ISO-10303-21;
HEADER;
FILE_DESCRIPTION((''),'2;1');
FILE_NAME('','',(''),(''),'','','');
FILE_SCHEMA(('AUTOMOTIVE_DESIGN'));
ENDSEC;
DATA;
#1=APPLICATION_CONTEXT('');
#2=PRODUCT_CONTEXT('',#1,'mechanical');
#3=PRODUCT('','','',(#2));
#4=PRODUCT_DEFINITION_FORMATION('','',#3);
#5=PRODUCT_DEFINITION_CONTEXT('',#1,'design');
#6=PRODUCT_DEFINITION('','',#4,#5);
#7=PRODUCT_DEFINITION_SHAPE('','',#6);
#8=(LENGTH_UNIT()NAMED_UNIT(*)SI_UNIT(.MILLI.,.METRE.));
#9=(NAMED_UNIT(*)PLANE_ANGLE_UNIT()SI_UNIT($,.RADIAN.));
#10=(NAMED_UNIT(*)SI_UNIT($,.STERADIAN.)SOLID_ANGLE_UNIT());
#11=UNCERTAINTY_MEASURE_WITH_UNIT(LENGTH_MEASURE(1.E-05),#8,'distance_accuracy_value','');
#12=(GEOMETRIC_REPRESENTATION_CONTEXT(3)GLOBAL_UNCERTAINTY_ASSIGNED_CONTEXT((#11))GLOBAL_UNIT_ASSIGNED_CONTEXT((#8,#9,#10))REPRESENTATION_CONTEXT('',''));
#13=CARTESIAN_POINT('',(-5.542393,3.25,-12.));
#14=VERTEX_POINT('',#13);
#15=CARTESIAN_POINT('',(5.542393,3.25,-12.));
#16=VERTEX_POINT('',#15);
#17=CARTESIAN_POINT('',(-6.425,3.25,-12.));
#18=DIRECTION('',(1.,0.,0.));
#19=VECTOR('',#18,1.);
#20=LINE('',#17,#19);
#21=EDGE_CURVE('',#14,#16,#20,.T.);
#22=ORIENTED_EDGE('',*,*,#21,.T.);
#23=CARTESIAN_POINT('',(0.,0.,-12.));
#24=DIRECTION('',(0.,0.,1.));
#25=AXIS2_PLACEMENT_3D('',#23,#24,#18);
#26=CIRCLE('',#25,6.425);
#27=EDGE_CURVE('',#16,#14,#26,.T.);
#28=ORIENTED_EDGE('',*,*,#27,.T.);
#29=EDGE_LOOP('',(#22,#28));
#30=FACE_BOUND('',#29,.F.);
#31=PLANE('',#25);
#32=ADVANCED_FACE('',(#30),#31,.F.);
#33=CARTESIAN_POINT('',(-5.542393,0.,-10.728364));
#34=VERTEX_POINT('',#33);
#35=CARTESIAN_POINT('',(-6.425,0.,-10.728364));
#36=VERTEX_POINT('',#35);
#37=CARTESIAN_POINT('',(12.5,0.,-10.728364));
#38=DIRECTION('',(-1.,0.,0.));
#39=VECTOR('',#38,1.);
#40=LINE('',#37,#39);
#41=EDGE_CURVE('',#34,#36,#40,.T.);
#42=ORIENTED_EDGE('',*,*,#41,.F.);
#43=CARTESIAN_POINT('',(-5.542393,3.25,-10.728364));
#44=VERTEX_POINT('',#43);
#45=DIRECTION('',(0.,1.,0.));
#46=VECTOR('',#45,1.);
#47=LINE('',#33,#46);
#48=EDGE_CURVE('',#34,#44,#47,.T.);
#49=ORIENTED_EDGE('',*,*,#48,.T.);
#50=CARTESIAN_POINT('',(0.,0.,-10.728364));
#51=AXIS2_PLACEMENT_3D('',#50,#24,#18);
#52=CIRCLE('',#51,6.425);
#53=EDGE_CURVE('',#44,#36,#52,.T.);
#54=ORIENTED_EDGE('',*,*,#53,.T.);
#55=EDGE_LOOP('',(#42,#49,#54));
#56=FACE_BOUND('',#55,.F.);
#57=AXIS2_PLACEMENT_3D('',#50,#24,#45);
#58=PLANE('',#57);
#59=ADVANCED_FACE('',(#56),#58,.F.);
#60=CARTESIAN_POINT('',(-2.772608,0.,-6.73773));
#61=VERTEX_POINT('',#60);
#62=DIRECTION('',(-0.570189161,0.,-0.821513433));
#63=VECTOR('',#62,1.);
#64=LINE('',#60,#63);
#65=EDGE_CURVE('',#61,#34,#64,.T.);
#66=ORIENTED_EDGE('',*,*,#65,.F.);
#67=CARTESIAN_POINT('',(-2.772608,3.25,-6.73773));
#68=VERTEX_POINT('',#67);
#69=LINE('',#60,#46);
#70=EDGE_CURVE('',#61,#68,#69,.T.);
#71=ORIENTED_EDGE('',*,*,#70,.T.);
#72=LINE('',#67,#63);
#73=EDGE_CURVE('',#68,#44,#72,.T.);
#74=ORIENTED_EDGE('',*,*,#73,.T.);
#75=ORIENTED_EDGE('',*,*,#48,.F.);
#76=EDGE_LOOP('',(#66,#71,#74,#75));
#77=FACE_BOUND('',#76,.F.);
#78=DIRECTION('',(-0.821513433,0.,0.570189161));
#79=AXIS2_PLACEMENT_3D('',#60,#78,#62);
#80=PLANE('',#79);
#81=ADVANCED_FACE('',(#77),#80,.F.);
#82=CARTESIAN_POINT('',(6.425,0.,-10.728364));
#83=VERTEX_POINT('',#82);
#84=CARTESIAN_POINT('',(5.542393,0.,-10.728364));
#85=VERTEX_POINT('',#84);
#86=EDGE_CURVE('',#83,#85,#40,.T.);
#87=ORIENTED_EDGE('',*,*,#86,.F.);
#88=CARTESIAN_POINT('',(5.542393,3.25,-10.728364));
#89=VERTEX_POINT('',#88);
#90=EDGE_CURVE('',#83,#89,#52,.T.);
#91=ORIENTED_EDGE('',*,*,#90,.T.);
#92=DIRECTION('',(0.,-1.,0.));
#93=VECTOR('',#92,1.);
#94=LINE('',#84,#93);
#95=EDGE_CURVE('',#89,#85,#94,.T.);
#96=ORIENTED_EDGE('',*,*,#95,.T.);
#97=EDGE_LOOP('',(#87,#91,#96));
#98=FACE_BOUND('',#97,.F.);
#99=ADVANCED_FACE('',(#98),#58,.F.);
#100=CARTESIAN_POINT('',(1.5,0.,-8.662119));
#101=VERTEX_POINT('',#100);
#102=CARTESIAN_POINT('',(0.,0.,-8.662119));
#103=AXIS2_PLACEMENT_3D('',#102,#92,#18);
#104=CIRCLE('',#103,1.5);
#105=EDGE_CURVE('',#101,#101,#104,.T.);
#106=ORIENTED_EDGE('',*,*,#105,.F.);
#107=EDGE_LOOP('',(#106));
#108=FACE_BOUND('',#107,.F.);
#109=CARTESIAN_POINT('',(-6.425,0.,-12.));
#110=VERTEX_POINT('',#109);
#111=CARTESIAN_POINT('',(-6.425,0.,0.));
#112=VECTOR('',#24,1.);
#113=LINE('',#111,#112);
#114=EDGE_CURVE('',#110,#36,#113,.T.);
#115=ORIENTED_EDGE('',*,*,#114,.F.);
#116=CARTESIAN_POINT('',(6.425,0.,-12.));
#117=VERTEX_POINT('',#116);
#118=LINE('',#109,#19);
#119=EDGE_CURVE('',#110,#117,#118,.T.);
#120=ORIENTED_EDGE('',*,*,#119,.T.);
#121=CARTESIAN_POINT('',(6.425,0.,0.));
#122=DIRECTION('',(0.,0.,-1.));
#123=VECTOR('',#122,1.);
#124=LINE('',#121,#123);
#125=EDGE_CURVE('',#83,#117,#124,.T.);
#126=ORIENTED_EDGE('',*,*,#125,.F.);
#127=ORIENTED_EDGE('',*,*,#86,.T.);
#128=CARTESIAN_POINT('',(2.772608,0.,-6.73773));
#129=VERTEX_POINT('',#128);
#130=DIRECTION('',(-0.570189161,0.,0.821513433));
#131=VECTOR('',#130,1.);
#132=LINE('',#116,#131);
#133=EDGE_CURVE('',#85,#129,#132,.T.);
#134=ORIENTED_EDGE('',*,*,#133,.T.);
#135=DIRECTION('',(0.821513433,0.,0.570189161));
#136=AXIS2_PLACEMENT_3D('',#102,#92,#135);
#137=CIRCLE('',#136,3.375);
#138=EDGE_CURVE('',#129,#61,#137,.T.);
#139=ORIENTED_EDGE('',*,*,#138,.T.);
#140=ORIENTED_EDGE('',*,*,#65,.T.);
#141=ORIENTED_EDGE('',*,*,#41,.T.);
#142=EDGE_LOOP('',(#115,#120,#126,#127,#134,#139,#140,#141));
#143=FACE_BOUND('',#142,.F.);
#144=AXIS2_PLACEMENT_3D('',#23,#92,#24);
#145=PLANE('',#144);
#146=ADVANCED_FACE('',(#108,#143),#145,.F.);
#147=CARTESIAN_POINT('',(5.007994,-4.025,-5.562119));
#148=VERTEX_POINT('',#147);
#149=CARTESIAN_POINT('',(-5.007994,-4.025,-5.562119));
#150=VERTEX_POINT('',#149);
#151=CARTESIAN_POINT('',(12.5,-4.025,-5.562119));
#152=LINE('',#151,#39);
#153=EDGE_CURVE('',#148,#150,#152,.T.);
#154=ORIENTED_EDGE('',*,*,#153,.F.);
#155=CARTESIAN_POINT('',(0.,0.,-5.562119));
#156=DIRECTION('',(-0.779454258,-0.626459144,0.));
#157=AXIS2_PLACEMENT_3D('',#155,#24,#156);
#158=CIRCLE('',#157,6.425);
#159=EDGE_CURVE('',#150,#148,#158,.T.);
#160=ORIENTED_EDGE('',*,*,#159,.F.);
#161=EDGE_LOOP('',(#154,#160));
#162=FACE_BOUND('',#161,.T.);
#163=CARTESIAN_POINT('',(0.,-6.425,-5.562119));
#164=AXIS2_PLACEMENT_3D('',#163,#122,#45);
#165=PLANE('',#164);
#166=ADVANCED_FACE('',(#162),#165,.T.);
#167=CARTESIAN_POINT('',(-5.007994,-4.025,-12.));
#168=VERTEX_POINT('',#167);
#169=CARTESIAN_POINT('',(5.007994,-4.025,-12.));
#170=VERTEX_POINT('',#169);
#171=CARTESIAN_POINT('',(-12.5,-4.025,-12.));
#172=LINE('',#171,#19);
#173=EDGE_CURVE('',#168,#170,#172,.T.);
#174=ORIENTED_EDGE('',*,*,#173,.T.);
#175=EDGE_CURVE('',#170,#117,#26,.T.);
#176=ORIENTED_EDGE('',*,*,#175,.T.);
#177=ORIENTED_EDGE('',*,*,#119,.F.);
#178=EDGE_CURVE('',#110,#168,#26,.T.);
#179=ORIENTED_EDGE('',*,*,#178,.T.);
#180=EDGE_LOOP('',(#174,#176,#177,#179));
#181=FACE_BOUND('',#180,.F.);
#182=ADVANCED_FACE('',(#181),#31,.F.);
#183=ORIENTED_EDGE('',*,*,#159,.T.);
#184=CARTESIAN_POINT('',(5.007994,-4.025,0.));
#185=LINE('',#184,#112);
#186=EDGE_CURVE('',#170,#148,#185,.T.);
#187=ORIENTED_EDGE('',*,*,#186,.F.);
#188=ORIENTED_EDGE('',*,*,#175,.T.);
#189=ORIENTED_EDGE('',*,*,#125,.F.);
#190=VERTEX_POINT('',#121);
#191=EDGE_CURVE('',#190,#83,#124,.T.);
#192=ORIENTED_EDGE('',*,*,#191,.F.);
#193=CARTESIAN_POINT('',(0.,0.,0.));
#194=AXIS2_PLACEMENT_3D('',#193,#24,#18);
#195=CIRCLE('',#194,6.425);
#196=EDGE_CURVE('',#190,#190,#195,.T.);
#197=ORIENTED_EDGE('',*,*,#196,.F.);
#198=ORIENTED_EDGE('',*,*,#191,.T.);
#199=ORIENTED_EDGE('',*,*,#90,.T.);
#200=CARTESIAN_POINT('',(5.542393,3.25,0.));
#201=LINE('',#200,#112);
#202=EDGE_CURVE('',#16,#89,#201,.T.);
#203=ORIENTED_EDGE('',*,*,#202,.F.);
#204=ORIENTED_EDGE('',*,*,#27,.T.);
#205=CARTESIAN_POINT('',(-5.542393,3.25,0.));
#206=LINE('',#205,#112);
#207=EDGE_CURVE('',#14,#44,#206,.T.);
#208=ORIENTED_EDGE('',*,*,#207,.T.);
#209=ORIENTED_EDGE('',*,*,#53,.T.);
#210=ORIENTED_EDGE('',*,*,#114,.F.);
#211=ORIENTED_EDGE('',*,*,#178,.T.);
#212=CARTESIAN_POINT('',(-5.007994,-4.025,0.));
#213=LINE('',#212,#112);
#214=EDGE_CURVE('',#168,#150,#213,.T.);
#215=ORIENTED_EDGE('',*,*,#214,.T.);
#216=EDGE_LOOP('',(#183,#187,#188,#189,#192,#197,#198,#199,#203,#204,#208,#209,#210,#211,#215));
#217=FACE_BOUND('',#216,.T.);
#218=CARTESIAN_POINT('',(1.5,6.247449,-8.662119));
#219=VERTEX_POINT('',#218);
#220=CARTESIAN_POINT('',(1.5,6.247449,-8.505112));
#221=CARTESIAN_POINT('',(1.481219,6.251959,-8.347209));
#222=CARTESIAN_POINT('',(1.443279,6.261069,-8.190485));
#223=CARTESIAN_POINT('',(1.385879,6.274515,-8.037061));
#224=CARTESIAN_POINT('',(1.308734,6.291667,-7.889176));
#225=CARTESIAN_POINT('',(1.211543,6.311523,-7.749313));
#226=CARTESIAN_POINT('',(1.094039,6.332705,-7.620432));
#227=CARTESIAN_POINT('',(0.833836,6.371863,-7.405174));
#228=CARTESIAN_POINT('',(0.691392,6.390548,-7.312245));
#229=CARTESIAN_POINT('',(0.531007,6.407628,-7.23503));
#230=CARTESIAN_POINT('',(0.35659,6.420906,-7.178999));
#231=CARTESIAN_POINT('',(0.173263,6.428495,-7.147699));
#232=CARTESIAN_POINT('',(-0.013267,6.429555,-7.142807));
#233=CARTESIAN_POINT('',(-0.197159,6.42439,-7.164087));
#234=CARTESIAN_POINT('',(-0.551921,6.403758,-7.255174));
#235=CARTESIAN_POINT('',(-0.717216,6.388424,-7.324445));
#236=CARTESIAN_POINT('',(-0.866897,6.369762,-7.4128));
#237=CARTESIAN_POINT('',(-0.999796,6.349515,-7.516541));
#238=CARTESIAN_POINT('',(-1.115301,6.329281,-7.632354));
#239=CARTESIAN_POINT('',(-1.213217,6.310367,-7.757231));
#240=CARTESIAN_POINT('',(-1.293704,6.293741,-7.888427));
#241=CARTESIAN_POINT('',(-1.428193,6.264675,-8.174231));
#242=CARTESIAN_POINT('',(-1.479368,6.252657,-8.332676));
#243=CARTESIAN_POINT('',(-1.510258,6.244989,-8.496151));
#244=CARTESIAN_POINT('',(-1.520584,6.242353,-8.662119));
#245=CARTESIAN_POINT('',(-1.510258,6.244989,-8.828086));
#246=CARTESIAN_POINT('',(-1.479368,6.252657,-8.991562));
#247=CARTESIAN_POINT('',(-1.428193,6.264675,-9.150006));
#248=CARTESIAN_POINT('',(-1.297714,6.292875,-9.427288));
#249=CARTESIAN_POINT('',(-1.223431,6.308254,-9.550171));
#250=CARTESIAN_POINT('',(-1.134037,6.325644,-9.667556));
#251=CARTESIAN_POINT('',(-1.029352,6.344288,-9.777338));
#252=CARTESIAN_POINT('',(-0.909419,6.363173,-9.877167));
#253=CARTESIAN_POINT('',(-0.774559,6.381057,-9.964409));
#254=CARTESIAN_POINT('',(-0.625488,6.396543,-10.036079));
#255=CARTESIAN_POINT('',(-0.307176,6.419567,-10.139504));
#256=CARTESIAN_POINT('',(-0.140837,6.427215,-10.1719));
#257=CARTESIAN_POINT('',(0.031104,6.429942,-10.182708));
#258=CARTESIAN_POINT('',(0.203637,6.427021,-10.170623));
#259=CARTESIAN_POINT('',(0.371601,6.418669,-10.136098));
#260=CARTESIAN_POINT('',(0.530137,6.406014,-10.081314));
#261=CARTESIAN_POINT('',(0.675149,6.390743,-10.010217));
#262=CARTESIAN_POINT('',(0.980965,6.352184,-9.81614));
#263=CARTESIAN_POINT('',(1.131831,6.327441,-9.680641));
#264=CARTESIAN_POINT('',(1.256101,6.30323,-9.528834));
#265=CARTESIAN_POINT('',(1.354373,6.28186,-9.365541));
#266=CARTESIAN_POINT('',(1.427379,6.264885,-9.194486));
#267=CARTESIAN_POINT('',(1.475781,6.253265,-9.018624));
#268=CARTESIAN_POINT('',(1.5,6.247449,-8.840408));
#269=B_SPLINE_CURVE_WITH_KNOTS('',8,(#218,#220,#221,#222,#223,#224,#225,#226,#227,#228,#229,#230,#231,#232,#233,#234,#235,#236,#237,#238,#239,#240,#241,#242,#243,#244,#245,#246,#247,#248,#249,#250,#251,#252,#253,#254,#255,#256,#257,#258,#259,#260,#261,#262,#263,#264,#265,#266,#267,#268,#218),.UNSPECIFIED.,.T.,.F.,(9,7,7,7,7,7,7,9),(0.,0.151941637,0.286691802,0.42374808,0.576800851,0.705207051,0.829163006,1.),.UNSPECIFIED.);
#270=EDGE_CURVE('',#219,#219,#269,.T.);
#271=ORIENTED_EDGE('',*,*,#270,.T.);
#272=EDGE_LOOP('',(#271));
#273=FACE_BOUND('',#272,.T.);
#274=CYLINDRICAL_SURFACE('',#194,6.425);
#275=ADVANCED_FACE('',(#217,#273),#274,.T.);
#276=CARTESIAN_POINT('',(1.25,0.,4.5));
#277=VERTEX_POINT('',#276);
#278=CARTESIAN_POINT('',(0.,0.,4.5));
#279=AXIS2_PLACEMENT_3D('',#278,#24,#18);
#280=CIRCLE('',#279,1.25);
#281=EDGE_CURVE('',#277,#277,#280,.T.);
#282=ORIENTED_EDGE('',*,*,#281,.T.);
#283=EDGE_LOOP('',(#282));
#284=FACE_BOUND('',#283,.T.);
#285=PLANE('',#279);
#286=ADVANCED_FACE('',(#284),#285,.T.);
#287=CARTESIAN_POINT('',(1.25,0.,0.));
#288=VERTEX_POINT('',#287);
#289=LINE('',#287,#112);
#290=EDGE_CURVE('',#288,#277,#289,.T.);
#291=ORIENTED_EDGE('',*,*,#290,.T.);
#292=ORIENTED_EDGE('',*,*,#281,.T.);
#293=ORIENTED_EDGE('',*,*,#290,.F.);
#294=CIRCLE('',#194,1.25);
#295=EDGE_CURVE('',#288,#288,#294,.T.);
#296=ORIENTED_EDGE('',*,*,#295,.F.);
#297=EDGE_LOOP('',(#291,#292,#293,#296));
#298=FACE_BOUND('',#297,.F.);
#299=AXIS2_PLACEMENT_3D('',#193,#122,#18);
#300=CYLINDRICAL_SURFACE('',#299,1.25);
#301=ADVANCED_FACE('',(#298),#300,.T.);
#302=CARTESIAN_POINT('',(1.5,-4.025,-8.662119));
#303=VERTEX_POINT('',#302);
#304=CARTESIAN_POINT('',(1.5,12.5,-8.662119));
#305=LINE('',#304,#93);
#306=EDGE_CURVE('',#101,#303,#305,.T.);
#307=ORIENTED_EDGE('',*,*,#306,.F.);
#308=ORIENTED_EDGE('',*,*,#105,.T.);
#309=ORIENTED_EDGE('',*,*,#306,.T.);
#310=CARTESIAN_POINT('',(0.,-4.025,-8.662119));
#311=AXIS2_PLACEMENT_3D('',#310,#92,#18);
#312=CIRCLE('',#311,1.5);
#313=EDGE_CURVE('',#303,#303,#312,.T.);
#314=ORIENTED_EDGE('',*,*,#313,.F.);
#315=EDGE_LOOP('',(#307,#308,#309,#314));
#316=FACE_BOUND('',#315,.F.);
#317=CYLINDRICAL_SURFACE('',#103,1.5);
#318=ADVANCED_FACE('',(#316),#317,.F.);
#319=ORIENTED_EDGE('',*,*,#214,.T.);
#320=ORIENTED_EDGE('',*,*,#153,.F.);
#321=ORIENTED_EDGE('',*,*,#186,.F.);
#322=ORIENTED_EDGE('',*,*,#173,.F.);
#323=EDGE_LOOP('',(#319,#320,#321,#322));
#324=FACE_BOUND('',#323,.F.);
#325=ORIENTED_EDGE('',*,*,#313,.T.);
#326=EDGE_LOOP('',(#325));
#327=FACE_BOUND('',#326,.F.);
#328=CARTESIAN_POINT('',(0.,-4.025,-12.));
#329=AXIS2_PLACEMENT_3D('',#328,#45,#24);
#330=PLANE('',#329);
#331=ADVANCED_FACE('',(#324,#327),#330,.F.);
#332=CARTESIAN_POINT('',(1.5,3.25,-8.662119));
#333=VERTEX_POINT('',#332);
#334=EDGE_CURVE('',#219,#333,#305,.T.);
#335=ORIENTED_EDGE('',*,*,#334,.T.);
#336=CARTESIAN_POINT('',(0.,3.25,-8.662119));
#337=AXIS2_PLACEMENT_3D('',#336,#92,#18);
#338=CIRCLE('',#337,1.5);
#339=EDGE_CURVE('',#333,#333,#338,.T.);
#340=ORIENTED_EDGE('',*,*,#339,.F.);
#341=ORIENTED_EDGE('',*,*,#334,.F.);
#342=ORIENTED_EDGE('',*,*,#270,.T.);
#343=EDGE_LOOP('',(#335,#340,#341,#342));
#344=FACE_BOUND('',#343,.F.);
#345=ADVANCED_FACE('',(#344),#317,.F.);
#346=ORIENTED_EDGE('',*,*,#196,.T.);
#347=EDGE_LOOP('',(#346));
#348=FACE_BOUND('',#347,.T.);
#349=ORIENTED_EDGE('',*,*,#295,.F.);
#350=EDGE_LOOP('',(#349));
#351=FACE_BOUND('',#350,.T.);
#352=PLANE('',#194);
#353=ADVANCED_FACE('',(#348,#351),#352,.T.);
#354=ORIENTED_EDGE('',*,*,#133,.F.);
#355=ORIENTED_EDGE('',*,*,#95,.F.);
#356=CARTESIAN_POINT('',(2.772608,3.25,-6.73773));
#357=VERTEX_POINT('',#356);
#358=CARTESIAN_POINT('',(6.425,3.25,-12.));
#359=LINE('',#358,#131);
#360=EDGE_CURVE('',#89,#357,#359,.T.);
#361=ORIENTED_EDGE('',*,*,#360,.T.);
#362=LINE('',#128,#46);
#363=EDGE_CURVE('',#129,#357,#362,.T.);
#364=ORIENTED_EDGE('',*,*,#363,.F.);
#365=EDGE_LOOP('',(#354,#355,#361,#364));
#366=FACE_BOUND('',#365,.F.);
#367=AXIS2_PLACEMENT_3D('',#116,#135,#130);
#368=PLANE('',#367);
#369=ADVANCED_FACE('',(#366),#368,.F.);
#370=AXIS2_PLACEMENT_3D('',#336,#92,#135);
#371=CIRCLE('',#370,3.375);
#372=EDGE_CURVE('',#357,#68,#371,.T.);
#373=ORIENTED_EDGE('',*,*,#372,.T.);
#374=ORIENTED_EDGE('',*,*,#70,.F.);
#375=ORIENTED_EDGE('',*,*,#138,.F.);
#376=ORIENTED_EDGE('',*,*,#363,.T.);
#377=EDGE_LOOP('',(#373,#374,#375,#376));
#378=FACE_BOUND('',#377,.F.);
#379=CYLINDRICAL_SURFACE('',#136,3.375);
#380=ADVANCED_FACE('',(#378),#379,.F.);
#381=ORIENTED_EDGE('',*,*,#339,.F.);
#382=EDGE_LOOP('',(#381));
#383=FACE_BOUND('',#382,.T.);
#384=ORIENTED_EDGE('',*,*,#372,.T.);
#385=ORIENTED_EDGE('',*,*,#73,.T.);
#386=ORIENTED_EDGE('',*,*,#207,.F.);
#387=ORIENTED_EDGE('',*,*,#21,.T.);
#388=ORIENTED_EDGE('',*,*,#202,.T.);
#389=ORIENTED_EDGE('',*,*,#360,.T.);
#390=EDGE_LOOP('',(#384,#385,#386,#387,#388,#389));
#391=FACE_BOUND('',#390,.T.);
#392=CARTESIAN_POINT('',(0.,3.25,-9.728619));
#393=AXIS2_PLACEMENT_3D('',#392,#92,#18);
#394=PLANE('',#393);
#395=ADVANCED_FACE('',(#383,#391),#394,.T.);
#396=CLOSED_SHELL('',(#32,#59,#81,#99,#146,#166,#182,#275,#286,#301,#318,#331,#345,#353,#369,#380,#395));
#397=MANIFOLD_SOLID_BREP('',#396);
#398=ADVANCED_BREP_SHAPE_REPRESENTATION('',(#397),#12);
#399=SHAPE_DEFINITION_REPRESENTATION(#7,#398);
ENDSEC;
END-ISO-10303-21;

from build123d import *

# Parameters (mm, degrees)
F0_R     = 6.425
F1_DEPTH = 12
F2_R     = 1.5
F3_DEPTH = 12.5
F5_DEPTH = 3.25
F6_W     = 3.25
F6_H     = 1.2716361485
F6_W_2   = 2.4
F6_H_2   = 1.6
F6_H_3   = 3
F6_H_4   = 1.8378814235
F7_DEPTH = 12.5
F8_R     = 1.25
F9_DEPTH = 4.5


with BuildPart() as f1:
    # F0 (on Top) → F1 (new body)
    with BuildSketch(Plane.XY):
        Circle(F0_R)
    extrude(amount=-F1_DEPTH)

    # F2 (on Front) → F3 (cut, symmetric)
    with BuildSketch(Plane.XZ):
        with Locations((0, -8.6621185765)):
            Circle(F2_R)
    extrude(amount=F3_DEPTH, both=True, mode=Mode.SUBTRACT)

    # F4 (on Front) → F5 (cut)
    with BuildSketch(Plane.XZ):
        with BuildLine():
            Line((6.425, -12), (2.7726078369, -6.7377301586))
            ThreePointArc((2.7726078369, -6.7377301586), (0, -5.2871185765), (-2.7726078369, -6.7377301586))
            Line((-2.7726078369, -6.7377301586), (-6.425, -12))
            Line((-6.425, -12), (6.425, -12))
        make_face()
    extrude(amount=-F5_DEPTH, mode=Mode.SUBTRACT)

    # F6 (on Right) → F7 (cut, symmetric)
    with BuildSketch(Plane.YZ):
        with Locations((1.625, -11.3641819257)):
            Rectangle(F6_W, F6_H)
        with Locations((-5.225, -6.3621185765)):
            Rectangle(F6_W_2, F6_H_2)
        with Locations((-5.225, -8.6621185765)):
            Rectangle(F6_W_2, F6_H_3)
        with Locations((-5.225, -11.0810592882)):
            Rectangle(F6_W_2, F6_H_4)
    extrude(amount=F7_DEPTH, both=True, mode=Mode.SUBTRACT)

    # F8 (on face) → F9 (join)
    with BuildSketch(Plane.XY):
        Circle(F8_R)
    extrude(amount=F9_DEPTH)


solid = f1.part
